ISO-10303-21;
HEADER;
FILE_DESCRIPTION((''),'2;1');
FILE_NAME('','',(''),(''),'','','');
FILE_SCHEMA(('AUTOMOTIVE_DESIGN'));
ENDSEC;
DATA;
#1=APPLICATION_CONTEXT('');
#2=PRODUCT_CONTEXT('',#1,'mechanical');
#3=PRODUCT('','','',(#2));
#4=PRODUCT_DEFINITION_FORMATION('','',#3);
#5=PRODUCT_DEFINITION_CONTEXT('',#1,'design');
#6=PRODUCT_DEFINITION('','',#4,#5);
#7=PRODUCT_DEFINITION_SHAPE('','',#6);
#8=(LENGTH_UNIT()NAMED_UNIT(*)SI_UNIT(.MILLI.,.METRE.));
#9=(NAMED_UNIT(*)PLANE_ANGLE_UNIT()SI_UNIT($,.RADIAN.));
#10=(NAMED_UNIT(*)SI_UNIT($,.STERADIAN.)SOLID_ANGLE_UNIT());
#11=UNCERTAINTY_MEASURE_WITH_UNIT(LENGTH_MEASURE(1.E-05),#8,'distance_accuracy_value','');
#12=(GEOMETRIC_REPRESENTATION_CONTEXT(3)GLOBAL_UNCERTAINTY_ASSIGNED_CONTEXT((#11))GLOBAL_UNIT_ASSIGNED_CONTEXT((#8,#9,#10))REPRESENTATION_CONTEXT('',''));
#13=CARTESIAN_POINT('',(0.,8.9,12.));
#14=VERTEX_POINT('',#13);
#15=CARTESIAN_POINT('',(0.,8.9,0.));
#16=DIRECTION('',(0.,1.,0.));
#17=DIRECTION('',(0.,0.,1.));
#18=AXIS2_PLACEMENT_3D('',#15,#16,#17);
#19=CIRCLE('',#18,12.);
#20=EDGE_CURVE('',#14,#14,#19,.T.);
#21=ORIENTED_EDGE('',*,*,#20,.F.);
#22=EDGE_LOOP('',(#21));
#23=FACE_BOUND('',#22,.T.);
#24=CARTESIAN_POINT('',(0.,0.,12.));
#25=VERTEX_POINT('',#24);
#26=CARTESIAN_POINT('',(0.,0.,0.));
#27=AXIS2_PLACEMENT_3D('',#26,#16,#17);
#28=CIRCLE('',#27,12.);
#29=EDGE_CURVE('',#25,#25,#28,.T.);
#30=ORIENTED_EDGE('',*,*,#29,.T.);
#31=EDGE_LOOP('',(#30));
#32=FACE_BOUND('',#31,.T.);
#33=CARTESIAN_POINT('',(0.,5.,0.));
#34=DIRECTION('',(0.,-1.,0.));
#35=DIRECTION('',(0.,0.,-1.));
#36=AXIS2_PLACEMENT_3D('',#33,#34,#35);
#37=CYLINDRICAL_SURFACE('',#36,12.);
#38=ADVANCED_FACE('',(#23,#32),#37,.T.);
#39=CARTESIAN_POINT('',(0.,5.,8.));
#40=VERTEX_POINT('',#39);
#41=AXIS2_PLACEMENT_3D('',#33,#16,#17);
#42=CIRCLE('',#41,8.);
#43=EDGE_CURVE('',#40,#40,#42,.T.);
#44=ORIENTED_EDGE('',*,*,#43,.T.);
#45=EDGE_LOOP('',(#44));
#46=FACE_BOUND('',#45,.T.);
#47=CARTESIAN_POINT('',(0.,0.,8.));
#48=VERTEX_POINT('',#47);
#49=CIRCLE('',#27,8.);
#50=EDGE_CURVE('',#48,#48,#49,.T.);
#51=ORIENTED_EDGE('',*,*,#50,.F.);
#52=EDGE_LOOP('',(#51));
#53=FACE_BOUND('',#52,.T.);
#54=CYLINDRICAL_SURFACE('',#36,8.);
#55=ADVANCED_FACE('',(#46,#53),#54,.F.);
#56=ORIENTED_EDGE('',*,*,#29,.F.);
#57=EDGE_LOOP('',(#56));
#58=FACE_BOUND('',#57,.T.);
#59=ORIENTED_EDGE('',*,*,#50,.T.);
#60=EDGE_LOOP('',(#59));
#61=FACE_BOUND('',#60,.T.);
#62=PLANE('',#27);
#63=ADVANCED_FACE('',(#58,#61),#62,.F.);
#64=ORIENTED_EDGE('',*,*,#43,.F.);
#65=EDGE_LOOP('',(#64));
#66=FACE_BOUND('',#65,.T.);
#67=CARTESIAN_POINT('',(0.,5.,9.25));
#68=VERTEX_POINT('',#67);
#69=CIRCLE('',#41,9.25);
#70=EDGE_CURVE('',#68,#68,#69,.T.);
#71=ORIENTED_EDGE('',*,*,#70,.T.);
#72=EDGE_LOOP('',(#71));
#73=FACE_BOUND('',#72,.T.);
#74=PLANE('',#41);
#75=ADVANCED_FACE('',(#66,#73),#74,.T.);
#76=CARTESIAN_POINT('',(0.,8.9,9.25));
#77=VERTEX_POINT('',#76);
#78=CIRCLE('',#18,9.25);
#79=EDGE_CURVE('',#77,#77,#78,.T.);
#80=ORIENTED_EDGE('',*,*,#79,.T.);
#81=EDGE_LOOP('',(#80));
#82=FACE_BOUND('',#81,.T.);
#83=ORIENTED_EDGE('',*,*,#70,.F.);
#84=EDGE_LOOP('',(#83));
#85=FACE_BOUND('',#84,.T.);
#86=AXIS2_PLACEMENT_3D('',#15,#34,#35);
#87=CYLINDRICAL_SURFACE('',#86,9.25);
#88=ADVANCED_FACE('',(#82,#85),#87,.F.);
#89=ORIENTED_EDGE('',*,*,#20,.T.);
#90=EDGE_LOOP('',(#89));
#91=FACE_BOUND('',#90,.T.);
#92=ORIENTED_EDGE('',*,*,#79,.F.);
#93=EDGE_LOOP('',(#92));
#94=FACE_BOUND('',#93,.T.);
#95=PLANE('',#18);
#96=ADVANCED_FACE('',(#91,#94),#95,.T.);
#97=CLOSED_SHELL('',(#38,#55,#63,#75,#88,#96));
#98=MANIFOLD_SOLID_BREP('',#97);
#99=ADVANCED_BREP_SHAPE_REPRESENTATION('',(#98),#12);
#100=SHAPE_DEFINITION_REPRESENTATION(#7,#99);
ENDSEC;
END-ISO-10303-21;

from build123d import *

# Parameters (mm, degrees)
SKETCH_1_R      = 12
SKETCH_1_R_2    = 8
EXTRUDE_1_DEPTH = 5
SKETCH_3_R      = 12
SKETCH_3_R_2    = 9.25
EXTRUDE_2_DEPTH = 3.9


with BuildPart() as part:
    # 草图1 → 凸台-拉伸1 (new body)
    with BuildSketch(Plane(origin=(0, 0, 0), x_dir=(1, 0, 0), z_dir=(0, 1, 0))):
        Circle(SKETCH_1_R)
        Circle(SKETCH_1_R_2, mode=Mode.SUBTRACT)
    extrude(amount=EXTRUDE_1_DEPTH)

    # 草图3 → 凸台-拉伸2 (add)
    with BuildSketch(Plane(origin=(0, 5, 0), x_dir=(1, 0, 0), z_dir=(0, 1, 0))):
        Circle(SKETCH_3_R)
        Circle(SKETCH_3_R_2, mode=Mode.SUBTRACT)
    extrude(amount=EXTRUDE_2_DEPTH)


solid = part.part
